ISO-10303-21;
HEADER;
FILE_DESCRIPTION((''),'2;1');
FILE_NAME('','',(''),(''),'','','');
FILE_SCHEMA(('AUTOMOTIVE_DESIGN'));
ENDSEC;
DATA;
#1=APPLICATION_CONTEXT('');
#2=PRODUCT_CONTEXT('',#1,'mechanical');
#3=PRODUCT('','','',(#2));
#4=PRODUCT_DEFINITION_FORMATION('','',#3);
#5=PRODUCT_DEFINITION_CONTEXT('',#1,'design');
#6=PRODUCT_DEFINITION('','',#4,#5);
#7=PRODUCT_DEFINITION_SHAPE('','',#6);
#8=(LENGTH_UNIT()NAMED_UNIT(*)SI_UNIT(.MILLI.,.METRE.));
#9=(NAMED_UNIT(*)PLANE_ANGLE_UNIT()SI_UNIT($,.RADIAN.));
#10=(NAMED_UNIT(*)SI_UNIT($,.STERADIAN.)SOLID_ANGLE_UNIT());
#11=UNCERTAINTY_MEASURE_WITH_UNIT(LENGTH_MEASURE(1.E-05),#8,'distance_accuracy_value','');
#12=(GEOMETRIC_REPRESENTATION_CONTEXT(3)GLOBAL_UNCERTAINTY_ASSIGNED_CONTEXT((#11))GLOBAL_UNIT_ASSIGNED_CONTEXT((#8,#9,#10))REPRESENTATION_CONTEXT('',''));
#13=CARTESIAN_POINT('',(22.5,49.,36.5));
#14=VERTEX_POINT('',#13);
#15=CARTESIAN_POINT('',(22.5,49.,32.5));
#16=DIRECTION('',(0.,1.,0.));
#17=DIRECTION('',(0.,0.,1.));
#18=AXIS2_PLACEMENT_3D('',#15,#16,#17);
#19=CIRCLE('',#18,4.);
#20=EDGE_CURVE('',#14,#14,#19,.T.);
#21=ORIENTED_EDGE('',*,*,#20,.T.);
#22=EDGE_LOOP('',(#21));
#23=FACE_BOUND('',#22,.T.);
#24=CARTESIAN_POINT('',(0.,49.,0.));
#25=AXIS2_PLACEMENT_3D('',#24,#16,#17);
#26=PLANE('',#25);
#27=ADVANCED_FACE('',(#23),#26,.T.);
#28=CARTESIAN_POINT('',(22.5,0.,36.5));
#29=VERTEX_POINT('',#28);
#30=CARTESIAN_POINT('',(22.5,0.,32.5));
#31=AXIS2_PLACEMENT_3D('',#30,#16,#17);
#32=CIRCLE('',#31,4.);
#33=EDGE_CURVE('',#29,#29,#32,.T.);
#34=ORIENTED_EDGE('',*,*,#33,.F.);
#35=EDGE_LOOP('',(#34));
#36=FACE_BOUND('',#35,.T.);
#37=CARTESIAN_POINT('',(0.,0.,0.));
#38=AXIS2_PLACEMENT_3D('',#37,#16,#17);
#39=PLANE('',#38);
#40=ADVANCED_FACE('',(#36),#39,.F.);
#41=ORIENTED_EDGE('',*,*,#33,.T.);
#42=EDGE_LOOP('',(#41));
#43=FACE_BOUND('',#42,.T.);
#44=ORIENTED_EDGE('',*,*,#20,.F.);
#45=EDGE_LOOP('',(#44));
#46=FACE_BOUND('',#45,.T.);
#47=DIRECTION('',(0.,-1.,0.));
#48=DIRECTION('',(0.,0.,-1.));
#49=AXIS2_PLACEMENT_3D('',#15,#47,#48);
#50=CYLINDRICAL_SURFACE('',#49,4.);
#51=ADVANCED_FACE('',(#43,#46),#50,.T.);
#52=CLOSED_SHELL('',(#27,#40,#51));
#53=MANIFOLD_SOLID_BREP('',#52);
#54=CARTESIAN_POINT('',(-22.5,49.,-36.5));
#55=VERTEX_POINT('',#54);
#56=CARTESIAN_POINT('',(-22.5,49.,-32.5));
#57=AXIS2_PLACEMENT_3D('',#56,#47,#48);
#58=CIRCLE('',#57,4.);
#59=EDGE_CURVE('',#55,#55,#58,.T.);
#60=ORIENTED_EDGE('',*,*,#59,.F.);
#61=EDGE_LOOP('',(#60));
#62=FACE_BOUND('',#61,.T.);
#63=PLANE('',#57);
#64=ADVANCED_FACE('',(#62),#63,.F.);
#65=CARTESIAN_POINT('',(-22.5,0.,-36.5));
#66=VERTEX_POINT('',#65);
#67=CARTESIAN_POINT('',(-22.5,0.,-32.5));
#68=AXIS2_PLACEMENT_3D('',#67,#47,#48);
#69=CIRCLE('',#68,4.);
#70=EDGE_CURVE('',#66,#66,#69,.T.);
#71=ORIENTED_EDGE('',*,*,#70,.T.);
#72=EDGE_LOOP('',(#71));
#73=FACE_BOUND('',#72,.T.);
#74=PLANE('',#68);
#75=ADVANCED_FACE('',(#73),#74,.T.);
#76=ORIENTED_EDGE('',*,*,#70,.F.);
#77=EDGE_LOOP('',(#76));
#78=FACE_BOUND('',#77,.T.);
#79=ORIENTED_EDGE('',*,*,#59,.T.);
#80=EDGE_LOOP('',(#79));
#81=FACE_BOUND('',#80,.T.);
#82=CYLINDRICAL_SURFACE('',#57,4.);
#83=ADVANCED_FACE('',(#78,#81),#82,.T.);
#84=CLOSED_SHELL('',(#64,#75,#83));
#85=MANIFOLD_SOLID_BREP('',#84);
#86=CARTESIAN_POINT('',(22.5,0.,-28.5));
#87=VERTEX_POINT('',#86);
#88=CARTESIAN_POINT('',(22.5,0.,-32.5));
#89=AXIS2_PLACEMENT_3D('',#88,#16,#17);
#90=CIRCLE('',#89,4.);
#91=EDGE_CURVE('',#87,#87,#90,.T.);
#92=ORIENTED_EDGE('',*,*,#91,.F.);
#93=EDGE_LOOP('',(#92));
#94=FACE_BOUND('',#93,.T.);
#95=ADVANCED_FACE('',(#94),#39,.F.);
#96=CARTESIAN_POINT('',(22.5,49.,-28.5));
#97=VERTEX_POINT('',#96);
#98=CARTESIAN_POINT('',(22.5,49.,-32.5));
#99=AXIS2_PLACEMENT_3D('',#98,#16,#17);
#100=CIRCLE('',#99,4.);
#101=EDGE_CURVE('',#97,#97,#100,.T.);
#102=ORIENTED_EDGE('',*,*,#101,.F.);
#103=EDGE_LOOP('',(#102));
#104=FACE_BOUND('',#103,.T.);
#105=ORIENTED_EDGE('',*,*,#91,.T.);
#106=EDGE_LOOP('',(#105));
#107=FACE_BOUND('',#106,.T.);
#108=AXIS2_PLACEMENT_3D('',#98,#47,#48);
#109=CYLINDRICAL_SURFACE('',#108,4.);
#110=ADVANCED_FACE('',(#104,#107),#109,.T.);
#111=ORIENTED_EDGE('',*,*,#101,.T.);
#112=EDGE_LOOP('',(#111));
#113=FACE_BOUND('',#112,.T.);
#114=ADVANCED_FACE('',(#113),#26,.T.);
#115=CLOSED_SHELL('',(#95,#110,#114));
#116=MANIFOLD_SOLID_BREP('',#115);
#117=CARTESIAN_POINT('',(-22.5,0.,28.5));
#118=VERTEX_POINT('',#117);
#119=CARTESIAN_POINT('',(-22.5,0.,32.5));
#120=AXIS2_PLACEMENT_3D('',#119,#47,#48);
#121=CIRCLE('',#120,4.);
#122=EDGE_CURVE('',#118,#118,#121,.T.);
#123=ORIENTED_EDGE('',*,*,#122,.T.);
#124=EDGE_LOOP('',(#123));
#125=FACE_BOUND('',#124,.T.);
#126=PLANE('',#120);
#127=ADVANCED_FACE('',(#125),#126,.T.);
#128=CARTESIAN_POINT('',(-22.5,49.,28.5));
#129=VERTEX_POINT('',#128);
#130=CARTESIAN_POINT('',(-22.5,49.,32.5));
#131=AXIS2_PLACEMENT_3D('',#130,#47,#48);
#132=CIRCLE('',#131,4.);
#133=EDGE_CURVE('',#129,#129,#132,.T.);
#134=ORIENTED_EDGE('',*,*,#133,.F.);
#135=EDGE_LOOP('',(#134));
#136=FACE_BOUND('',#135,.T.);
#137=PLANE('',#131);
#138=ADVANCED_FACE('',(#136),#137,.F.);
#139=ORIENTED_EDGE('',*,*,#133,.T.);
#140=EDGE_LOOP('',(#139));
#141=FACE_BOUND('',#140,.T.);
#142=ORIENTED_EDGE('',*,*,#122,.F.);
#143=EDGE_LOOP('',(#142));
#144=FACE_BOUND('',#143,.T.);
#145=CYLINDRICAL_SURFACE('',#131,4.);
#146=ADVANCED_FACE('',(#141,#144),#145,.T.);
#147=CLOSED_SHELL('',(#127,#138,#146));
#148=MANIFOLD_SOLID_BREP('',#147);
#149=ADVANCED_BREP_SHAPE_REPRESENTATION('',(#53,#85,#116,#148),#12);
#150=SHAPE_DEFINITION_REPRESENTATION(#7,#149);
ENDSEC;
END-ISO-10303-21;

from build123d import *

# Parameters (mm, degrees)
SKETCH1_R             = 4
BOSS_EXTRUDE1_DEPTH   = 49
BOSS_EXTRUDE1_2_DEPTH = 49
BOSS_EXTRUDE1_3_DEPTH = 49
BOSS_EXTRUDE1_4_DEPTH = 49


with BuildPart() as part:
    # Sketch1 → Boss-Extrude1 (new body)
    with BuildSketch(Plane(origin=(0, 0, 0), x_dir=(1, 0, 0), z_dir=(0, 1, 0))):
        with Locations(Location((22.5, -32.5, 0), (0, 0, 270))):
            Circle(SKETCH1_R)
    extrude(amount=BOSS_EXTRUDE1_DEPTH)


with BuildPart() as body_2:
    # Sketch1 → Boss-Extrude1 2 (new body)
    with BuildSketch(Plane(origin=(0, 0, 0), x_dir=(1, 0, 0), z_dir=(0, 1, 0))):
        with Locations(Location((22.5, 32.5, 0), (0, 0, 270))):
            Circle(SKETCH1_R)
    extrude(amount=BOSS_EXTRUDE1_2_DEPTH)


with BuildPart() as body_3:
    # Sketch1 → Boss-Extrude1 3 (new body)
    with BuildSketch(Plane(origin=(0, 0, 0), x_dir=(1, 0, 0), z_dir=(0, 1, 0))):
        with Locations(Location((-22.5, 32.5, 0), (0, 0, 90))):
            Circle(SKETCH1_R)
    extrude(amount=BOSS_EXTRUDE1_3_DEPTH)


with BuildPart() as body_4:
    # Sketch1 → Boss-Extrude1 4 (new body)
    with BuildSketch(Plane(origin=(0, 0, 0), x_dir=(1, 0, 0), z_dir=(0, 1, 0))):
        with Locations(Location((-22.5, -32.5, 0), (0, 0, 90))):
            Circle(SKETCH1_R)
    extrude(amount=BOSS_EXTRUDE1_4_DEPTH)


solid = Compound([part.part, body_2.part, body_3.part, body_4.part])
